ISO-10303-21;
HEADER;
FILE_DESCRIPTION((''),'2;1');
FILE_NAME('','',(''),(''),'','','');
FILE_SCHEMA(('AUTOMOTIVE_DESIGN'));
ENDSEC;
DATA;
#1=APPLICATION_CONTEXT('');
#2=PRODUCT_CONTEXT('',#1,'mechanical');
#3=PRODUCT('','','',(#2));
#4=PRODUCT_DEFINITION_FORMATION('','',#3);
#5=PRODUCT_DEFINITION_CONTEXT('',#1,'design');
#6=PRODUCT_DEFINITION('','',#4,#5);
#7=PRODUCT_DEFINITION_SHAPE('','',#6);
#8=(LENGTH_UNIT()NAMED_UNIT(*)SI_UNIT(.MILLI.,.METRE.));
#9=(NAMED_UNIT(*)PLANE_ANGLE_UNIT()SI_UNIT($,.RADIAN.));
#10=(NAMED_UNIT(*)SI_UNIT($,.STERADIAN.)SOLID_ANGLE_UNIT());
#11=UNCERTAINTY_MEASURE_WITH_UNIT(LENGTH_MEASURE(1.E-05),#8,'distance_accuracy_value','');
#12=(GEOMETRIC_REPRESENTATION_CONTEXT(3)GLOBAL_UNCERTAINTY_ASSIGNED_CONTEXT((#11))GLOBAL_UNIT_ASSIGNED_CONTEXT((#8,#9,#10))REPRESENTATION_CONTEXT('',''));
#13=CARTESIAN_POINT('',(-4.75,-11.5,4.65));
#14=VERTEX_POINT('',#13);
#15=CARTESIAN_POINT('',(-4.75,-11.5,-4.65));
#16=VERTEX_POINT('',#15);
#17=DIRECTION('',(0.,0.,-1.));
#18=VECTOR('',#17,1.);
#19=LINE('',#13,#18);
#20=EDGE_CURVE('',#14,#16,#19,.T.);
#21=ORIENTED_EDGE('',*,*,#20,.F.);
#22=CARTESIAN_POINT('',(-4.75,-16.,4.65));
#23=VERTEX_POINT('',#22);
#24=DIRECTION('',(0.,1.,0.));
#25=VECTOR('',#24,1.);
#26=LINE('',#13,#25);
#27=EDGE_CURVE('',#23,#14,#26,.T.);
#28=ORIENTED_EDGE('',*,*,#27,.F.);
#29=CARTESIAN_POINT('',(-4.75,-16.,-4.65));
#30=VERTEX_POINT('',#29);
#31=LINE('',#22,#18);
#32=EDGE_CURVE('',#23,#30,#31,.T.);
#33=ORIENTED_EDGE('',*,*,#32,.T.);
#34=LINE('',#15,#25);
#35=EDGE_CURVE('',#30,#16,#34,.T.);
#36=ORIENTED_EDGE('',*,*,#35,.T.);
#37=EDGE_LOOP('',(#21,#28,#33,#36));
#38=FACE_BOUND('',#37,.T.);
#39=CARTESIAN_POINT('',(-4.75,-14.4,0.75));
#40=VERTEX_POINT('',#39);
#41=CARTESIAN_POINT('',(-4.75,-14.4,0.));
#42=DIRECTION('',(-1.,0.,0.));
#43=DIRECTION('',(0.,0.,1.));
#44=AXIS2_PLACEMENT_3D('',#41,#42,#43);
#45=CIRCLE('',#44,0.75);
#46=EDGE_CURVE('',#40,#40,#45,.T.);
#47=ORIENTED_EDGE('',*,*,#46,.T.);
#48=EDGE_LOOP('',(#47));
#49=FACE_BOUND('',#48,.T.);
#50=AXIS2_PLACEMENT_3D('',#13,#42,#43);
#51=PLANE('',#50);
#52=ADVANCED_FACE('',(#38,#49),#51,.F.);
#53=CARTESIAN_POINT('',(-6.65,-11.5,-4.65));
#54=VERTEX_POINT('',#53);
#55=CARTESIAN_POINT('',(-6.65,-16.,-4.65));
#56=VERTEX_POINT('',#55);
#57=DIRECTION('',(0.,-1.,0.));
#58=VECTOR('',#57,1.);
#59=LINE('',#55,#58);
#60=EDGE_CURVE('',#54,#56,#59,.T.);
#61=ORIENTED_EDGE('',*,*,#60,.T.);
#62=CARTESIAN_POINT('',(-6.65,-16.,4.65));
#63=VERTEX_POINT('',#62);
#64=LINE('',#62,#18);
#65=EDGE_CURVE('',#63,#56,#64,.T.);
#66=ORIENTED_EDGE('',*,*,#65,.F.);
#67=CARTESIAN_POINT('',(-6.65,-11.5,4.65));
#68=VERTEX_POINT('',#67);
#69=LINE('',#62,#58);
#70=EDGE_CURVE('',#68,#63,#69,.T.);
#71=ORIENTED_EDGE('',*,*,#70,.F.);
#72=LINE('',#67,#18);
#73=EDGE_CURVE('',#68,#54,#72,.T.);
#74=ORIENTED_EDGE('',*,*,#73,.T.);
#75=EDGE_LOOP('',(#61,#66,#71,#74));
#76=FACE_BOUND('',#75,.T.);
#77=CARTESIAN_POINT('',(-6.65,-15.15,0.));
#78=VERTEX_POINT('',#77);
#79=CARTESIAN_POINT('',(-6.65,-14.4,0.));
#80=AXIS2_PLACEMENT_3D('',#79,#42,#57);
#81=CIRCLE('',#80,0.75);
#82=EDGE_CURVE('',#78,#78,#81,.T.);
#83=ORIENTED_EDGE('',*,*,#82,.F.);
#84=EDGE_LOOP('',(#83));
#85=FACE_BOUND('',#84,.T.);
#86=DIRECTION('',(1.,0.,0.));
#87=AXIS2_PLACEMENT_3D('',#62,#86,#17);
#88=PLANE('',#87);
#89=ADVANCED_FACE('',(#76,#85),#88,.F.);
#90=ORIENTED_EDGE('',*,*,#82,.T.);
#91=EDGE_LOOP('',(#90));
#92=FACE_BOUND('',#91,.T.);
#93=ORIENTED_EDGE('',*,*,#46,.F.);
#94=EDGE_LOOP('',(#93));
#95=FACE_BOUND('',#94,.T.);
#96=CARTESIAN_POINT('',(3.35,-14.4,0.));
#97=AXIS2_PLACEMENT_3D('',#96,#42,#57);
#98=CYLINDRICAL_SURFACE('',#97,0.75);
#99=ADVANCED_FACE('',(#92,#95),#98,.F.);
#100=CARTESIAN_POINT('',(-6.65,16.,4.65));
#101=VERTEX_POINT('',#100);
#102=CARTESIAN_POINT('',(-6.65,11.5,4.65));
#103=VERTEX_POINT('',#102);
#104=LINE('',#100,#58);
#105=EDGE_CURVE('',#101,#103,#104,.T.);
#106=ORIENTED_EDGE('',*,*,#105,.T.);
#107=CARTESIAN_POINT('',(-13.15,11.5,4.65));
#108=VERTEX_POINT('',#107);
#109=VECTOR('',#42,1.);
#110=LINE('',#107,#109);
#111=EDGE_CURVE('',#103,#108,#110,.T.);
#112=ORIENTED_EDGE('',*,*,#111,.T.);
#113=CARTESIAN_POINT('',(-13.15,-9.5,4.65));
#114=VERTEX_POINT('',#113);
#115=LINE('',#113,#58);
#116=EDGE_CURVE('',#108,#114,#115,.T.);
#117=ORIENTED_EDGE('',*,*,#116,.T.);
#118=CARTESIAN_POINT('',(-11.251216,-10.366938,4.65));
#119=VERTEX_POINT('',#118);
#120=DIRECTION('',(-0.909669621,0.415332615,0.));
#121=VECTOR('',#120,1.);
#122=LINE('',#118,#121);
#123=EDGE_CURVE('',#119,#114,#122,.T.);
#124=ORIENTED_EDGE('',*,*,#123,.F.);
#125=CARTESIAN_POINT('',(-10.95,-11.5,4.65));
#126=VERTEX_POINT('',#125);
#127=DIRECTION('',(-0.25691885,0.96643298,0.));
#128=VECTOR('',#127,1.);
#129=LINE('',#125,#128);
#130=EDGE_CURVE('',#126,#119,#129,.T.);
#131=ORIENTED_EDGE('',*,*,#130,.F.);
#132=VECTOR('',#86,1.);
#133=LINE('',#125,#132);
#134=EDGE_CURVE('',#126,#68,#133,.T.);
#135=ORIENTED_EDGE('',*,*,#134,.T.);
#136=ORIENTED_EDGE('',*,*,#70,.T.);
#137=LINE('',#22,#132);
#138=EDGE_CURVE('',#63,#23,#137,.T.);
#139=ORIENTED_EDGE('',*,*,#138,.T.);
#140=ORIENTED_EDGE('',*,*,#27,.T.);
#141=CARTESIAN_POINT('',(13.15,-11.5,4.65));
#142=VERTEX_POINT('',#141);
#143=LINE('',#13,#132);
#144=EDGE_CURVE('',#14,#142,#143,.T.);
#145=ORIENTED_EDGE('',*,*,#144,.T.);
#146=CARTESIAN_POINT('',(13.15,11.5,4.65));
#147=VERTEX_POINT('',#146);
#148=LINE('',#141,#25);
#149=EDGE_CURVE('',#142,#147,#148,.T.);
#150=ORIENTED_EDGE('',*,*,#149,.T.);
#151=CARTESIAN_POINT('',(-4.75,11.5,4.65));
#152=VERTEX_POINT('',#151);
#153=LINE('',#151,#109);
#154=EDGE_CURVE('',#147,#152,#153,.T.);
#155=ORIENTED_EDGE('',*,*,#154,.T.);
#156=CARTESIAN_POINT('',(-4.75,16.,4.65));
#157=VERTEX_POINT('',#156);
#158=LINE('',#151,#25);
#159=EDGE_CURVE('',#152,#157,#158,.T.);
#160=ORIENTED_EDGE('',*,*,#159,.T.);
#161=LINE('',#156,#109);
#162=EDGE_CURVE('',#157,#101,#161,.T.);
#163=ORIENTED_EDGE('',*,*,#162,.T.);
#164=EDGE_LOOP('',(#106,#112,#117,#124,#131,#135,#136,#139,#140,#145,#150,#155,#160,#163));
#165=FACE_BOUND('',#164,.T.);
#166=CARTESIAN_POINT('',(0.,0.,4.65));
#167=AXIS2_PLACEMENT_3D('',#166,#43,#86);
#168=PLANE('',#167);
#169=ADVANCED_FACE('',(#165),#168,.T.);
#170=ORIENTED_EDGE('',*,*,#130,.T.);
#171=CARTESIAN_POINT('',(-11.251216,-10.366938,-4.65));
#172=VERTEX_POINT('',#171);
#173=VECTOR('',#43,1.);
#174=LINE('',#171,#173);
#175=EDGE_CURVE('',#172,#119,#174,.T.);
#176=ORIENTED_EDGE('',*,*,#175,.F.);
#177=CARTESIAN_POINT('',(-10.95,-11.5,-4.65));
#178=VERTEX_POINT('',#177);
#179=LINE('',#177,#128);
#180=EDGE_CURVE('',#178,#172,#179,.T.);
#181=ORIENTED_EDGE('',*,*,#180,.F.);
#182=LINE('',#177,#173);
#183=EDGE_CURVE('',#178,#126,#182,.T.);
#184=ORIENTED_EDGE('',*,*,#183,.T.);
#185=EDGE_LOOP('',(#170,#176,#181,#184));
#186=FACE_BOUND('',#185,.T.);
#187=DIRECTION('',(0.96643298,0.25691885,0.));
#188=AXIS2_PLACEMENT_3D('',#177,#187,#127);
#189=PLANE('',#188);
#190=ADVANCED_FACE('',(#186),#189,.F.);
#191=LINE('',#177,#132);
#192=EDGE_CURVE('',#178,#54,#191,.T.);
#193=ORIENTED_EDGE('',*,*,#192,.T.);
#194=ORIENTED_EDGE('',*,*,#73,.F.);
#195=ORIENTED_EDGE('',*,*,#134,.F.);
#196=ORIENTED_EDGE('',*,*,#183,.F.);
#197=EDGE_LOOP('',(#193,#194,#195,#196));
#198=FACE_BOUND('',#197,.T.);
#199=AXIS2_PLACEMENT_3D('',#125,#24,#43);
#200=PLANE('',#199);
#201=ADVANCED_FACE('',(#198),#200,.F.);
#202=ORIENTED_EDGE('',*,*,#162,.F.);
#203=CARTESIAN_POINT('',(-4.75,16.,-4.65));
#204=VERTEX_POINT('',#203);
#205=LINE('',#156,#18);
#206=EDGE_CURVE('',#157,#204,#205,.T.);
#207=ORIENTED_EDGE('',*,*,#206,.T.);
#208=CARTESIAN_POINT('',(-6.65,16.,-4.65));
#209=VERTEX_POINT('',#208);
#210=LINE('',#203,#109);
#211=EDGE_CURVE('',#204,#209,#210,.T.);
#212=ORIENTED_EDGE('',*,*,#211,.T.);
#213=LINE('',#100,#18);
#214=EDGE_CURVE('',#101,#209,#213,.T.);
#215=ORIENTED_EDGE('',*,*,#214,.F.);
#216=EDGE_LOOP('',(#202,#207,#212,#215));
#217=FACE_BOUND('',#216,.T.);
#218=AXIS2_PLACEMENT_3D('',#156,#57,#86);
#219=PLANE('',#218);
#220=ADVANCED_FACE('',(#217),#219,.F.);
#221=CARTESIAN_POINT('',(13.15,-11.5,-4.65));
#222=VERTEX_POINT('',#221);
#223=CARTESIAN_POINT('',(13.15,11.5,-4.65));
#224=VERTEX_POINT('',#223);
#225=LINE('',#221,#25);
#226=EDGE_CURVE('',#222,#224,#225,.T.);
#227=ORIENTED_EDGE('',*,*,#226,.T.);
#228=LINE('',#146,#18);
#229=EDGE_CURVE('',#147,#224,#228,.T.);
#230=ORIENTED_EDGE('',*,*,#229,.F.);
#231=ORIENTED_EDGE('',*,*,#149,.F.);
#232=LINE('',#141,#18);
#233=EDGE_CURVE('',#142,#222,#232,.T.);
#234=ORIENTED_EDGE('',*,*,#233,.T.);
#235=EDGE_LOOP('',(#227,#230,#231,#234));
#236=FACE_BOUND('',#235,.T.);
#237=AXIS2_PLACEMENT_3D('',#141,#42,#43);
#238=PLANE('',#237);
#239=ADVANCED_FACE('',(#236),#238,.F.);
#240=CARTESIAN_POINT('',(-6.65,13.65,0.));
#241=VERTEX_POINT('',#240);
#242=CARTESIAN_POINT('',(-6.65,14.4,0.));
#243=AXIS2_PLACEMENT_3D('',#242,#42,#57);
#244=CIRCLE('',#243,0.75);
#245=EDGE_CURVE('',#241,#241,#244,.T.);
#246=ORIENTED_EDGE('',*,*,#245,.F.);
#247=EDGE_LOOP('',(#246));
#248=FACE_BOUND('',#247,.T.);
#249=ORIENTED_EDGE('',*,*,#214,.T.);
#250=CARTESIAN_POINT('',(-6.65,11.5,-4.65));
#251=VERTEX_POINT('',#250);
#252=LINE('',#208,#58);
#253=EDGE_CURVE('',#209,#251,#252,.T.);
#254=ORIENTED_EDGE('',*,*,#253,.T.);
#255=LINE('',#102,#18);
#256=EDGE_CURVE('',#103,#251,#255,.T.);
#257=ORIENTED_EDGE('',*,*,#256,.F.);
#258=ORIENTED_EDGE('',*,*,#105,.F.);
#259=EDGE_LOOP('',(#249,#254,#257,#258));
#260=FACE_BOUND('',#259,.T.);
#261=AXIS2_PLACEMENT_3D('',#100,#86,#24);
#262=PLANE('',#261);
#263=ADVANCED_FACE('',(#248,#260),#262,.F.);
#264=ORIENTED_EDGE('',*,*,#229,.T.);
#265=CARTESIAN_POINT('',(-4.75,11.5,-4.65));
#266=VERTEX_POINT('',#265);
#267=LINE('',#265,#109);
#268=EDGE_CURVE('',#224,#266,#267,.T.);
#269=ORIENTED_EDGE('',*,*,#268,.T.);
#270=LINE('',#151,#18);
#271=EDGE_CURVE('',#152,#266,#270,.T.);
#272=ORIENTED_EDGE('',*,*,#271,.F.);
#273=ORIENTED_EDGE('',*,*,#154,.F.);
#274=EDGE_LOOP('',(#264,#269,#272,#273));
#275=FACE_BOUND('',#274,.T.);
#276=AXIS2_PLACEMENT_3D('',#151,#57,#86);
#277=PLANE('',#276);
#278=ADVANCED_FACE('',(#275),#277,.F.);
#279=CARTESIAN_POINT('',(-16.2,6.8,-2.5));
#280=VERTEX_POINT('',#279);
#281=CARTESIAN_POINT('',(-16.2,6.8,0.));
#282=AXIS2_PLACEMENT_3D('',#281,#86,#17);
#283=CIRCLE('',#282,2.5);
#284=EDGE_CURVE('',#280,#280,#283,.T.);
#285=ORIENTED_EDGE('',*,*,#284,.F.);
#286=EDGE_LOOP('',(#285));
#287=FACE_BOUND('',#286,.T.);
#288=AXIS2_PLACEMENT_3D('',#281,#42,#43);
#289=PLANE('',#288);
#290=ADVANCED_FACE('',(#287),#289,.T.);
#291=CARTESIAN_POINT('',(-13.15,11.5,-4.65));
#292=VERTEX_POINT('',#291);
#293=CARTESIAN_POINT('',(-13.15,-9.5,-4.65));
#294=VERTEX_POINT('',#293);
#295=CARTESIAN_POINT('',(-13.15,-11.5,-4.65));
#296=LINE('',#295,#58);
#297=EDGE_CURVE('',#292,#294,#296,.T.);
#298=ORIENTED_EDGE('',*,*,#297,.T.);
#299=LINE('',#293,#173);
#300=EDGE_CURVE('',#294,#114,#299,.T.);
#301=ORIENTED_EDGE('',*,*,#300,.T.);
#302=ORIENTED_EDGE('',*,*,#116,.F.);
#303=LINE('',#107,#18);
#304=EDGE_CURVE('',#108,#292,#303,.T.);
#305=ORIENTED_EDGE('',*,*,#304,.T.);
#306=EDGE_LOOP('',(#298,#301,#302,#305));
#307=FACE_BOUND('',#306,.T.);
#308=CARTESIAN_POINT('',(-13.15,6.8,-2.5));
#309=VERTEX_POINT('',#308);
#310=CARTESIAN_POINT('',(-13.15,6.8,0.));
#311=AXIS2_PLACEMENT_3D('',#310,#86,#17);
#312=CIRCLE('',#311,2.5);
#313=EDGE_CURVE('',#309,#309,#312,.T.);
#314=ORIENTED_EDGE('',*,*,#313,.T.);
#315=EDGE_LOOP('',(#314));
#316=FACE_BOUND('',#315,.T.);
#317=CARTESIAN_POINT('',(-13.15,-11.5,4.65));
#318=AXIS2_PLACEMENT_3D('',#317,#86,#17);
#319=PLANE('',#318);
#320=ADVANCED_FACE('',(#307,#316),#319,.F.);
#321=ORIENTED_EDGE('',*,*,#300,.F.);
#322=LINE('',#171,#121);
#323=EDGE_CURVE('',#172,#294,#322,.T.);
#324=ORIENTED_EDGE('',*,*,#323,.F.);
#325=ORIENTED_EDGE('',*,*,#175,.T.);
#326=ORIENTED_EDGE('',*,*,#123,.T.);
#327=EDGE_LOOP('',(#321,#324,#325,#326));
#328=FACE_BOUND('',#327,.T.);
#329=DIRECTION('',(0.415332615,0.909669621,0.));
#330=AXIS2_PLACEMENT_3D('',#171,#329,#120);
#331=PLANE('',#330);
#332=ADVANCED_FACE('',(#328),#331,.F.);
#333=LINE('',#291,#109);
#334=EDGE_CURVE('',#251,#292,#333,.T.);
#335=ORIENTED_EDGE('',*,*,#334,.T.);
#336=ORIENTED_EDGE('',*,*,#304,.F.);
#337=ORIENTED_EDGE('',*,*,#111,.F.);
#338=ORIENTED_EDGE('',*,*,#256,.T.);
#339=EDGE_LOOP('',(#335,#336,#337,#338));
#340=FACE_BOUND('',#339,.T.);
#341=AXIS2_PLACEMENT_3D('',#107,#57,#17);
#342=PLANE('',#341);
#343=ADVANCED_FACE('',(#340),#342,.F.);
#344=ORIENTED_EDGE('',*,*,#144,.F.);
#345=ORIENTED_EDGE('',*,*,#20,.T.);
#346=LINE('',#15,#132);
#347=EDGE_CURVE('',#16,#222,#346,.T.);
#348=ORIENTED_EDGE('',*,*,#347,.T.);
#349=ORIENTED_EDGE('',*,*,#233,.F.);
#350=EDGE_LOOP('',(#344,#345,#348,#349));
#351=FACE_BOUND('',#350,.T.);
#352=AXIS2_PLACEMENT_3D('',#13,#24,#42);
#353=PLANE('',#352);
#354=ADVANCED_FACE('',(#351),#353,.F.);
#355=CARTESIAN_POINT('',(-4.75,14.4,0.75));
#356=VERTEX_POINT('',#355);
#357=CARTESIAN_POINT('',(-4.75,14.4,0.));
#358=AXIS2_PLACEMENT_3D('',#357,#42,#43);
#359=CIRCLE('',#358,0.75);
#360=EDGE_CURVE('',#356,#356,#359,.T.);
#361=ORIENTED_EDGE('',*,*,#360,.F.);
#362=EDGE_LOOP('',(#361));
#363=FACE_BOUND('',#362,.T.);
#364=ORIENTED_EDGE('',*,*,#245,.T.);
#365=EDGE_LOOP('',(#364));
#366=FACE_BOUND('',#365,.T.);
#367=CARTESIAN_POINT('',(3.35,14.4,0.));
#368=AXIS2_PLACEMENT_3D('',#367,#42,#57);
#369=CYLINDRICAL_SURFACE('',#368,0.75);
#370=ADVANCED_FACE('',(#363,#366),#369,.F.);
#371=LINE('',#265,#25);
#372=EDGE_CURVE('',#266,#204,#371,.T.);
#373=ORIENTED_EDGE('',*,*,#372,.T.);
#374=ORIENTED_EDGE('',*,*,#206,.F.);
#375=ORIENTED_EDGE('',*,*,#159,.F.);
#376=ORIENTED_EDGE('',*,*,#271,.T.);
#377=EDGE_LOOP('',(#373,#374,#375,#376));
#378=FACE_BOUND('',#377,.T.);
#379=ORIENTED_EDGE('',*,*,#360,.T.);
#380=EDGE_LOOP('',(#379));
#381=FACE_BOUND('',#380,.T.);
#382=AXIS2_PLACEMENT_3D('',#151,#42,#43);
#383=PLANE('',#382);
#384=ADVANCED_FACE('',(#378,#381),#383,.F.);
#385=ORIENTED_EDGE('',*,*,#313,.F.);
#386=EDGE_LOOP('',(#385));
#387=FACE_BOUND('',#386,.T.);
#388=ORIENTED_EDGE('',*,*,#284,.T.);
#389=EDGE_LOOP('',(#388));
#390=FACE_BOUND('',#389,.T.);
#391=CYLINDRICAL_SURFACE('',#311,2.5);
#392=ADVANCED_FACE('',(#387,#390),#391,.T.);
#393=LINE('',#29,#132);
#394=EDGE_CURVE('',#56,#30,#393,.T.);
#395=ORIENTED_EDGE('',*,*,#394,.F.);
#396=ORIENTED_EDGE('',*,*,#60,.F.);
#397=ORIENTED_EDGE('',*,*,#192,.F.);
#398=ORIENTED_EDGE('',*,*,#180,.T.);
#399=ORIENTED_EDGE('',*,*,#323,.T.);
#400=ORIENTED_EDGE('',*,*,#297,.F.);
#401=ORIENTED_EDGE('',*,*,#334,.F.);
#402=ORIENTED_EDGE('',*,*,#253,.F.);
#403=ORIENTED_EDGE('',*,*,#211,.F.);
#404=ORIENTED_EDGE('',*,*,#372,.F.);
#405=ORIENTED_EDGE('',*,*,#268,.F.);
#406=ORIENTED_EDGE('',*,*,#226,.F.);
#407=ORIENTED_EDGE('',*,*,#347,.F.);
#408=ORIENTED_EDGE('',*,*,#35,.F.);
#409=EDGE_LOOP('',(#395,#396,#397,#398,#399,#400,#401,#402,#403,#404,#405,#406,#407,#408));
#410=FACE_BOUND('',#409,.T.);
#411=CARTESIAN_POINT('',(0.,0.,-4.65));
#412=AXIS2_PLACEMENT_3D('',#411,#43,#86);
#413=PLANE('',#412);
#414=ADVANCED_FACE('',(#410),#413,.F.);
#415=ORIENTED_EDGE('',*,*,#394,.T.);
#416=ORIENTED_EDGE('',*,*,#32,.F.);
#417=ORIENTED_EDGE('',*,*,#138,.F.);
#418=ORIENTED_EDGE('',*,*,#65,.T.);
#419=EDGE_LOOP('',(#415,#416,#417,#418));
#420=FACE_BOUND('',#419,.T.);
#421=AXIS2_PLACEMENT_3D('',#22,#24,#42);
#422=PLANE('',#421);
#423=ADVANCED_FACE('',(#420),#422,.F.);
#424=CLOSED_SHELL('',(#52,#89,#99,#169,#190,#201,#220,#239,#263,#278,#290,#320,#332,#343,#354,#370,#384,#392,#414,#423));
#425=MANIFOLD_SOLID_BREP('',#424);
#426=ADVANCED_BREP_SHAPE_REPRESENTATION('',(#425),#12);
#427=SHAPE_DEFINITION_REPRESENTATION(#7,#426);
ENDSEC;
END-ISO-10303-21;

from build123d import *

# Parameters (mm, degrees)
BOSS_EXTRUDE1_DEPTH     = 4.65
CUT_EXTRUDE4_DEPTH      = 22.226045322
CUT_EXTRUDE4_DEPTH_BACK = 22.226045322
SKETCH3_W               = 3.05
SKETCH3_H               = 2.5
SKETCH4_R               = 0.75
CUT_EXTRUDE1_DEPTH      = 10


with BuildPart() as part:
    # Sketch1 → Boss-Extrude1 (new, symmetric)
    with BuildSketch(Plane.XY):
        Polygon((-4.75, 11.5), (-4.75, 16), (-6.65, 16), (-6.65, 11.5), (-13.15, 11.5), (-13.15, -9.5), (-13.15, -11.5), (-10.95, -11.5), (-6.65, -11.5), (-6.65, -16), (-4.75, -16), (-4.75, -11.5), (13.15, -11.5), (13.15, 11.5), align=None)
    extrude(amount=BOSS_EXTRUDE1_DEPTH, both=True)

    # Sketch7 → Cut-Extrude4 (cut, two sides: drawn at the far end of the back side and taken through both)
    with BuildSketch(Plane.XY.offset(-CUT_EXTRUDE4_DEPTH_BACK)):
        Polygon((-11.251215972, -10.366937752), (-13.15, -9.5), (-13.15, -11.5), (-10.95, -11.5), align=None)
    extrude(amount=CUT_EXTRUDE4_DEPTH + CUT_EXTRUDE4_DEPTH_BACK, mode=Mode.SUBTRACT)

    # Sketch3 → Revolve1 (revolve)
    with BuildSketch(Plane.XY, mode=Mode.PRIVATE) as revolve1_sk:
        with Locations((-14.675, 8.05)):
            Rectangle(SKETCH3_W, SKETCH3_H)
    revolve(revolve1_sk.sketch.rotate(Axis((-13.15, 6.8, 0), (-1, 0, 0)), 90), axis=Axis((-13.15, 6.8, 0), (-1, 0, 0)))

    # Sketch4 → Cut-Extrude1 (cut)
    with BuildSketch(Plane.ZY.offset(6.65)):
        with Locations(Location((0, 14.4, 0), (0, 0, 270))):
            Circle(SKETCH4_R)
        with Locations(Location((0, -14.4, 0), (0, 0, 270))):
            Circle(SKETCH4_R)
    extrude(amount=-CUT_EXTRUDE1_DEPTH, mode=Mode.SUBTRACT)


solid = part.part
